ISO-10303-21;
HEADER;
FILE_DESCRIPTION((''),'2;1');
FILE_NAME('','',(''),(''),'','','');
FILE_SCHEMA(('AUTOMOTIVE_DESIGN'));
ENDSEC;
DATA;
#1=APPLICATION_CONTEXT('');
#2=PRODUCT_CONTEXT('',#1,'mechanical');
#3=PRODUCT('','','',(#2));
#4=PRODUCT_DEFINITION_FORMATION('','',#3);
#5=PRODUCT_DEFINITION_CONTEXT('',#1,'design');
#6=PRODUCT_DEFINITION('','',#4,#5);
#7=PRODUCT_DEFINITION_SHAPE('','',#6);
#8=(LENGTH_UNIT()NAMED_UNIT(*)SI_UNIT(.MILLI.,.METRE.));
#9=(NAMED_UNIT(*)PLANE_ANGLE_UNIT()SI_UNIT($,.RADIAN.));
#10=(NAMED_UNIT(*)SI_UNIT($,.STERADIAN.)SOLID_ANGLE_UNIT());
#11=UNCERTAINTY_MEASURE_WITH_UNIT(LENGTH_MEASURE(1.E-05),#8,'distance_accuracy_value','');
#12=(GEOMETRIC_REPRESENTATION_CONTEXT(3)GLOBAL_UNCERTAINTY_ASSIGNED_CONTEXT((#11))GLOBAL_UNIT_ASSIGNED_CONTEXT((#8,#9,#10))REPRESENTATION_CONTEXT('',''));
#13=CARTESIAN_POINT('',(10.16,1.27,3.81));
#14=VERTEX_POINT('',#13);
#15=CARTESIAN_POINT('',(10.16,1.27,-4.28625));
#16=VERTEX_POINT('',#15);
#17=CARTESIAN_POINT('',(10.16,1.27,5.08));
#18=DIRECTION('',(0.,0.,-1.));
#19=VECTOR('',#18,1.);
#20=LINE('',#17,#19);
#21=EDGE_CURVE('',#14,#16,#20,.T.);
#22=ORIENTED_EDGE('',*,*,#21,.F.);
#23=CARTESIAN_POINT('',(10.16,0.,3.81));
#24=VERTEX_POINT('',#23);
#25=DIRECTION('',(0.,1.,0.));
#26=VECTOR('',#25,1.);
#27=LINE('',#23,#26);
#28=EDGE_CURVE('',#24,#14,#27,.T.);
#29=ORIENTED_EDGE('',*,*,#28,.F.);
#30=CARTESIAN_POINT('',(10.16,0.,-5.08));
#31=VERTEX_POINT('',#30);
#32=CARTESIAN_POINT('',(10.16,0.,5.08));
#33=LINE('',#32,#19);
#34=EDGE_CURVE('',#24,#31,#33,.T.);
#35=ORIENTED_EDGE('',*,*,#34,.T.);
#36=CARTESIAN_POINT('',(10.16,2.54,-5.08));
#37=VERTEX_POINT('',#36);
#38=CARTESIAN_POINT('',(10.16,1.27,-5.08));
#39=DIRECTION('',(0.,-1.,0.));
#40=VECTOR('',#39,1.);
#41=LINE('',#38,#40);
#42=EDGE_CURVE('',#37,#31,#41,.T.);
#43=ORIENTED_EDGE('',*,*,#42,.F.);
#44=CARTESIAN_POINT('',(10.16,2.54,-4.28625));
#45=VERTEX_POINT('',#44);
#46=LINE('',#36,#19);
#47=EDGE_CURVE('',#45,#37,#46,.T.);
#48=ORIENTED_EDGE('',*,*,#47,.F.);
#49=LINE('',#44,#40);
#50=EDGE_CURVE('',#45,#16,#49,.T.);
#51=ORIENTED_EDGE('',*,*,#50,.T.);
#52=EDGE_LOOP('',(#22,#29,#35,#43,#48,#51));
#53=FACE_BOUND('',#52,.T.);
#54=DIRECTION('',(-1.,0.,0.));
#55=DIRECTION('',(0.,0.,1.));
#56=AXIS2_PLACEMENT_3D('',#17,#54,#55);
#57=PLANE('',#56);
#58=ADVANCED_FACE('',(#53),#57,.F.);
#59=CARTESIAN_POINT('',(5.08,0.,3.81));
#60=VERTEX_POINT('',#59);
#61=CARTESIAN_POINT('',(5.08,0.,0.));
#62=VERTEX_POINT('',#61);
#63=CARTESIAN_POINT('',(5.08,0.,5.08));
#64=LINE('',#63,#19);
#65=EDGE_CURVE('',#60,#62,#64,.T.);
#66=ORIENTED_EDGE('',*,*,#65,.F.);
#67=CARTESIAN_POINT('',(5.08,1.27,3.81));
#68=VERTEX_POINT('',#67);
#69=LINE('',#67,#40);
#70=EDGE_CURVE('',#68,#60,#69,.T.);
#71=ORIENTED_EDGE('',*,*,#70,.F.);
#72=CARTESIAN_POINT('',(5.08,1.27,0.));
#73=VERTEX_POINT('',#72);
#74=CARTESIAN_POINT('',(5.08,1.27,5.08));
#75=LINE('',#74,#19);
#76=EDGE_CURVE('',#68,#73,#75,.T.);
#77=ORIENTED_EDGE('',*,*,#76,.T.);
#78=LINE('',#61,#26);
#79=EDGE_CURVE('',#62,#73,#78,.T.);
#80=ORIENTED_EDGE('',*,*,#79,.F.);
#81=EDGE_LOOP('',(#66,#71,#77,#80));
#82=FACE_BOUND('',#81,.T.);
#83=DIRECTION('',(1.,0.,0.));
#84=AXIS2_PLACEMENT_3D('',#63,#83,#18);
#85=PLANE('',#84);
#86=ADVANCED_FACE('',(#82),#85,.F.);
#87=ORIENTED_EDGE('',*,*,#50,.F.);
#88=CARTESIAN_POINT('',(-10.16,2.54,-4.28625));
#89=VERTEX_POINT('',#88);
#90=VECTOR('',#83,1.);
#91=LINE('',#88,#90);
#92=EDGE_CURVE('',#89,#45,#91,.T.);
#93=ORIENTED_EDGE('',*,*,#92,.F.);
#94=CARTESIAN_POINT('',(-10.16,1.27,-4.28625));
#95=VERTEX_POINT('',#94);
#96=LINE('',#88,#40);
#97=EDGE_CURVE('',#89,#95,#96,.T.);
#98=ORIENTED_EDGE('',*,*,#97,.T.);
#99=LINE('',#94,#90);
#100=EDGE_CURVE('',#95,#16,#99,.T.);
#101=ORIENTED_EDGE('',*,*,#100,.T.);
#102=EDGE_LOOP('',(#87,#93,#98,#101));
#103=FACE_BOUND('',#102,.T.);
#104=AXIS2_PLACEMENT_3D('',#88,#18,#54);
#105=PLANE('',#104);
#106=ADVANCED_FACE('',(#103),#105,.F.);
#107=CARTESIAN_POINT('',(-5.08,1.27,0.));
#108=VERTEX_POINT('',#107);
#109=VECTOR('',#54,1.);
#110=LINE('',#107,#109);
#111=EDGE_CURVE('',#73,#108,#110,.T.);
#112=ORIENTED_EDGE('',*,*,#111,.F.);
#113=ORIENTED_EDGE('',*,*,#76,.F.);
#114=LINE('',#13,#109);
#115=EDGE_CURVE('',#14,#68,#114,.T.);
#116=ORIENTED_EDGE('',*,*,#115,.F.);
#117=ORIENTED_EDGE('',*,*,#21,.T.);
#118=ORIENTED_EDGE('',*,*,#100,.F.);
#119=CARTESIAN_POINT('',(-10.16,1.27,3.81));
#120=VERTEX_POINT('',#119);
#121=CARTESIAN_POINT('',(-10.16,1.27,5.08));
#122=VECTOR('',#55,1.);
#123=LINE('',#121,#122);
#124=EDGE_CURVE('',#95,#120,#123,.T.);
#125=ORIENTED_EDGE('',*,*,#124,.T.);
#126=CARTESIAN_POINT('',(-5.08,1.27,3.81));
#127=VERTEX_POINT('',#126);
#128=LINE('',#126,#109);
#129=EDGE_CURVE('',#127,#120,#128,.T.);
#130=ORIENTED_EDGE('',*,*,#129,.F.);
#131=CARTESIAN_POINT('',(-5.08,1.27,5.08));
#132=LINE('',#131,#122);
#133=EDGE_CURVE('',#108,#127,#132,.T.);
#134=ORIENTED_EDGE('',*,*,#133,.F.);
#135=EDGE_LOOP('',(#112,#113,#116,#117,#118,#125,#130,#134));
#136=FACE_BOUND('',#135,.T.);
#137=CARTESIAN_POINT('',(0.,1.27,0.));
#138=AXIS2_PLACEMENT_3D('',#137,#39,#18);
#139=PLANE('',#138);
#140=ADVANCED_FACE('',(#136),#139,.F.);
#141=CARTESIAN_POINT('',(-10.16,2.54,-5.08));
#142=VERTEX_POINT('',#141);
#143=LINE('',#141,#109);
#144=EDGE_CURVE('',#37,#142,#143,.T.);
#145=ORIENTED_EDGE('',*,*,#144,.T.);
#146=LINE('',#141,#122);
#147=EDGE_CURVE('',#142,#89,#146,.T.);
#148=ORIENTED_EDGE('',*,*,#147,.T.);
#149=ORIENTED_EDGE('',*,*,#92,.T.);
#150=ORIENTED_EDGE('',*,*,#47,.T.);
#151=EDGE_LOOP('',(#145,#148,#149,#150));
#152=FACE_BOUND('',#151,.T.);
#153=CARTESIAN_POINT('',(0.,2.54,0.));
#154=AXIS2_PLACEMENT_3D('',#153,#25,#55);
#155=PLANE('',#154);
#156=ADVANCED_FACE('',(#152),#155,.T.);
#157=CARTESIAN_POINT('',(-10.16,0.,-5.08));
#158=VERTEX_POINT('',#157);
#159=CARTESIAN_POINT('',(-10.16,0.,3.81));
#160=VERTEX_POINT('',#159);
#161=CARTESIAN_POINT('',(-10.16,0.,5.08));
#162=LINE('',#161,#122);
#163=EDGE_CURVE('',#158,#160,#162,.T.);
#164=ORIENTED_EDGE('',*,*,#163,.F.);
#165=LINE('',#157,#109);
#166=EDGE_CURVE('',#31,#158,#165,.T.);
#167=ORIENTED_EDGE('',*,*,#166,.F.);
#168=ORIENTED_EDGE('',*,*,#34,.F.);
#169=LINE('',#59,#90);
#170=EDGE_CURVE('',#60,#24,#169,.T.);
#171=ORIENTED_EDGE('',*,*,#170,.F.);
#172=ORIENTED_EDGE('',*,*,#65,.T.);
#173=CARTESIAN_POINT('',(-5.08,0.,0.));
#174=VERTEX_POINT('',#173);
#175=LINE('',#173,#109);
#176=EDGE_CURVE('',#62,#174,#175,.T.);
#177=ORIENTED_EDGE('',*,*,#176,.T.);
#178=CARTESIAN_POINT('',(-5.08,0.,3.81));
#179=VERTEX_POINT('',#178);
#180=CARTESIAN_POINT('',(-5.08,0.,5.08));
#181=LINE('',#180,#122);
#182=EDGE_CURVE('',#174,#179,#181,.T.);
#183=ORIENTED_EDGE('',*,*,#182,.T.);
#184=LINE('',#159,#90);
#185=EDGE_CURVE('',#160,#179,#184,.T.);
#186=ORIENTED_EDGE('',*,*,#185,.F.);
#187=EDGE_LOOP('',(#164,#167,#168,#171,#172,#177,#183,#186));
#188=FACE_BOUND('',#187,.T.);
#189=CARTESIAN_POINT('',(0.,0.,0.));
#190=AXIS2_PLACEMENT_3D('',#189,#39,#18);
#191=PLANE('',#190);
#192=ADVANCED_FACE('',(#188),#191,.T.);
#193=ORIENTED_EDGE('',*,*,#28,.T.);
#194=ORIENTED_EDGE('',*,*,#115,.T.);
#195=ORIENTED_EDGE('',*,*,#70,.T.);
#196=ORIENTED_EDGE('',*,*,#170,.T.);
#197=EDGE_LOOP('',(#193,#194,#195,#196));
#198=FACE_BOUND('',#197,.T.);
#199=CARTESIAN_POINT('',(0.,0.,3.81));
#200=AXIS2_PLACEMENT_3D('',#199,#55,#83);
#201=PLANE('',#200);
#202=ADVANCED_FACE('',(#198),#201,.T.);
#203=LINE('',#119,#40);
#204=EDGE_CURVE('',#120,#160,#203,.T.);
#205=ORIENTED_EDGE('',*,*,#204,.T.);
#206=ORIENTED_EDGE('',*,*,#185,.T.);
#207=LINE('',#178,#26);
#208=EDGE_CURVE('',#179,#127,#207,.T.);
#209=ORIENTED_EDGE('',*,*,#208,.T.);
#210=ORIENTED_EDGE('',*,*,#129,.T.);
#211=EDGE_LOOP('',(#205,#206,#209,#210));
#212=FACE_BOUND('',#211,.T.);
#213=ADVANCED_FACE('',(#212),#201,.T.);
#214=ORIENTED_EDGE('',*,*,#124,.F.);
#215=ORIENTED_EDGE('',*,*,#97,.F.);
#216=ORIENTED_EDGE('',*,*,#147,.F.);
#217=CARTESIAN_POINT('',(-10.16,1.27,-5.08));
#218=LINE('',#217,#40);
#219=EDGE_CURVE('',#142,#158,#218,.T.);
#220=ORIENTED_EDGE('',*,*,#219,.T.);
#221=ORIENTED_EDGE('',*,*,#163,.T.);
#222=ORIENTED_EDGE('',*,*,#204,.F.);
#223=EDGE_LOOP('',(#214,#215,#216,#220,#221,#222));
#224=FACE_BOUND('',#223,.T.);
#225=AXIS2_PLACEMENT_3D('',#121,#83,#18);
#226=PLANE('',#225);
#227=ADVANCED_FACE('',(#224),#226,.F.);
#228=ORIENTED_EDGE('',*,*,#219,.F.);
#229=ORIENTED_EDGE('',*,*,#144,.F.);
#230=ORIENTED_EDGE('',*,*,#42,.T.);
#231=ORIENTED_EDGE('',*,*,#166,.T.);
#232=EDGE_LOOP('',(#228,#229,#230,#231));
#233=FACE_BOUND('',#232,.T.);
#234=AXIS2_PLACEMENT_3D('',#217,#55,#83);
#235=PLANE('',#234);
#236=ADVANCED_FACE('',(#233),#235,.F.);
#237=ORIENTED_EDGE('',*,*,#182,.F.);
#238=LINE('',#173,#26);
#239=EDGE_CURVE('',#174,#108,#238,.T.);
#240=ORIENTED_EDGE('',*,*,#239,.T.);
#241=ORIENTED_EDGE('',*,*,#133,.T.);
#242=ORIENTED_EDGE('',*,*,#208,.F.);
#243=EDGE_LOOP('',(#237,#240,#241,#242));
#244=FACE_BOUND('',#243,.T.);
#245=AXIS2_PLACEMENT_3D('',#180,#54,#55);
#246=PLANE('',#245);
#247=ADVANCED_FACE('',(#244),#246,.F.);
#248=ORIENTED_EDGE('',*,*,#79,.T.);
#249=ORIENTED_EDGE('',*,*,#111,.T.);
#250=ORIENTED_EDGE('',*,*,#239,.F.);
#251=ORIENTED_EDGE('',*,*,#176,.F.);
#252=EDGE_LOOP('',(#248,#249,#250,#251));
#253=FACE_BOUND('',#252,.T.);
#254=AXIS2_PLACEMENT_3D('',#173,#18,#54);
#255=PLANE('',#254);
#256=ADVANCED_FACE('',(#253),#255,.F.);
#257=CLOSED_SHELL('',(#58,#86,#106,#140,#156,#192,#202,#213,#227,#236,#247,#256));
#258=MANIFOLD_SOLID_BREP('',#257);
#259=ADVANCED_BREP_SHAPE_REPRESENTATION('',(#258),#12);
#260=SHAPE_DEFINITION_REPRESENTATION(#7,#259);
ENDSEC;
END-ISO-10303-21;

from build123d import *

# Parameters (mm, degrees)
SKETCH1_W           = 20.32
SKETCH1_H           = 10.16
BOSS_EXTRUDE1_DEPTH = 1.27
SKETCH2_W           = 10.16
SKETCH2_H           = 5.08
CUT_EXTRUDE1_DEPTH  = 12.43
SKETCH4_W           = 20.32
SKETCH4_H           = 0.79375
BOSS_EXTRUDE2_DEPTH = 1.27
SKETCH5_W           = 5.08
SKETCH5_H           = 1.27
CUT_EXTRUDE2_DEPTH  = 1.27


with BuildPart() as part:
    # Sketch1 → Boss-Extrude1 (new body)
    with BuildSketch(Plane(origin=(0, 0, 0), x_dir=(1, 0, 0), z_dir=(0, 1, 0))):
        Rectangle(SKETCH1_W, SKETCH1_H)
    extrude(amount=BOSS_EXTRUDE1_DEPTH)

    # Sketch2 → Cut-Extrude1 (cut, through all)
    with BuildSketch(Plane(origin=(0, 1.27, 0), x_dir=(1, 0, 0), z_dir=(0, 1, 0))):
        with Locations((0, -2.54)):
            Rectangle(SKETCH2_W, SKETCH2_H)
    extrude(amount=-CUT_EXTRUDE1_DEPTH, mode=Mode.SUBTRACT)

    # Sketch4 → Boss-Extrude2 (add)
    with BuildSketch(Plane(origin=(0, 1.27, 0), x_dir=(1, 0, 0), z_dir=(0, 1, 0))):
        with Locations((0, 4.683125)):
            Rectangle(SKETCH4_W, SKETCH4_H)
    extrude(amount=BOSS_EXTRUDE2_DEPTH)

    # Sketch5 → Cut-Extrude2 (cut)
    with BuildSketch(Plane.XY.offset(5.08)):
        with Locations((7.62, 0.635)):
            Rectangle(SKETCH5_W, SKETCH5_H)
        with Locations((-7.62, 0.635)):
            Rectangle(SKETCH5_W, SKETCH5_H)
    extrude(amount=-CUT_EXTRUDE2_DEPTH, mode=Mode.SUBTRACT)


solid = part.part
